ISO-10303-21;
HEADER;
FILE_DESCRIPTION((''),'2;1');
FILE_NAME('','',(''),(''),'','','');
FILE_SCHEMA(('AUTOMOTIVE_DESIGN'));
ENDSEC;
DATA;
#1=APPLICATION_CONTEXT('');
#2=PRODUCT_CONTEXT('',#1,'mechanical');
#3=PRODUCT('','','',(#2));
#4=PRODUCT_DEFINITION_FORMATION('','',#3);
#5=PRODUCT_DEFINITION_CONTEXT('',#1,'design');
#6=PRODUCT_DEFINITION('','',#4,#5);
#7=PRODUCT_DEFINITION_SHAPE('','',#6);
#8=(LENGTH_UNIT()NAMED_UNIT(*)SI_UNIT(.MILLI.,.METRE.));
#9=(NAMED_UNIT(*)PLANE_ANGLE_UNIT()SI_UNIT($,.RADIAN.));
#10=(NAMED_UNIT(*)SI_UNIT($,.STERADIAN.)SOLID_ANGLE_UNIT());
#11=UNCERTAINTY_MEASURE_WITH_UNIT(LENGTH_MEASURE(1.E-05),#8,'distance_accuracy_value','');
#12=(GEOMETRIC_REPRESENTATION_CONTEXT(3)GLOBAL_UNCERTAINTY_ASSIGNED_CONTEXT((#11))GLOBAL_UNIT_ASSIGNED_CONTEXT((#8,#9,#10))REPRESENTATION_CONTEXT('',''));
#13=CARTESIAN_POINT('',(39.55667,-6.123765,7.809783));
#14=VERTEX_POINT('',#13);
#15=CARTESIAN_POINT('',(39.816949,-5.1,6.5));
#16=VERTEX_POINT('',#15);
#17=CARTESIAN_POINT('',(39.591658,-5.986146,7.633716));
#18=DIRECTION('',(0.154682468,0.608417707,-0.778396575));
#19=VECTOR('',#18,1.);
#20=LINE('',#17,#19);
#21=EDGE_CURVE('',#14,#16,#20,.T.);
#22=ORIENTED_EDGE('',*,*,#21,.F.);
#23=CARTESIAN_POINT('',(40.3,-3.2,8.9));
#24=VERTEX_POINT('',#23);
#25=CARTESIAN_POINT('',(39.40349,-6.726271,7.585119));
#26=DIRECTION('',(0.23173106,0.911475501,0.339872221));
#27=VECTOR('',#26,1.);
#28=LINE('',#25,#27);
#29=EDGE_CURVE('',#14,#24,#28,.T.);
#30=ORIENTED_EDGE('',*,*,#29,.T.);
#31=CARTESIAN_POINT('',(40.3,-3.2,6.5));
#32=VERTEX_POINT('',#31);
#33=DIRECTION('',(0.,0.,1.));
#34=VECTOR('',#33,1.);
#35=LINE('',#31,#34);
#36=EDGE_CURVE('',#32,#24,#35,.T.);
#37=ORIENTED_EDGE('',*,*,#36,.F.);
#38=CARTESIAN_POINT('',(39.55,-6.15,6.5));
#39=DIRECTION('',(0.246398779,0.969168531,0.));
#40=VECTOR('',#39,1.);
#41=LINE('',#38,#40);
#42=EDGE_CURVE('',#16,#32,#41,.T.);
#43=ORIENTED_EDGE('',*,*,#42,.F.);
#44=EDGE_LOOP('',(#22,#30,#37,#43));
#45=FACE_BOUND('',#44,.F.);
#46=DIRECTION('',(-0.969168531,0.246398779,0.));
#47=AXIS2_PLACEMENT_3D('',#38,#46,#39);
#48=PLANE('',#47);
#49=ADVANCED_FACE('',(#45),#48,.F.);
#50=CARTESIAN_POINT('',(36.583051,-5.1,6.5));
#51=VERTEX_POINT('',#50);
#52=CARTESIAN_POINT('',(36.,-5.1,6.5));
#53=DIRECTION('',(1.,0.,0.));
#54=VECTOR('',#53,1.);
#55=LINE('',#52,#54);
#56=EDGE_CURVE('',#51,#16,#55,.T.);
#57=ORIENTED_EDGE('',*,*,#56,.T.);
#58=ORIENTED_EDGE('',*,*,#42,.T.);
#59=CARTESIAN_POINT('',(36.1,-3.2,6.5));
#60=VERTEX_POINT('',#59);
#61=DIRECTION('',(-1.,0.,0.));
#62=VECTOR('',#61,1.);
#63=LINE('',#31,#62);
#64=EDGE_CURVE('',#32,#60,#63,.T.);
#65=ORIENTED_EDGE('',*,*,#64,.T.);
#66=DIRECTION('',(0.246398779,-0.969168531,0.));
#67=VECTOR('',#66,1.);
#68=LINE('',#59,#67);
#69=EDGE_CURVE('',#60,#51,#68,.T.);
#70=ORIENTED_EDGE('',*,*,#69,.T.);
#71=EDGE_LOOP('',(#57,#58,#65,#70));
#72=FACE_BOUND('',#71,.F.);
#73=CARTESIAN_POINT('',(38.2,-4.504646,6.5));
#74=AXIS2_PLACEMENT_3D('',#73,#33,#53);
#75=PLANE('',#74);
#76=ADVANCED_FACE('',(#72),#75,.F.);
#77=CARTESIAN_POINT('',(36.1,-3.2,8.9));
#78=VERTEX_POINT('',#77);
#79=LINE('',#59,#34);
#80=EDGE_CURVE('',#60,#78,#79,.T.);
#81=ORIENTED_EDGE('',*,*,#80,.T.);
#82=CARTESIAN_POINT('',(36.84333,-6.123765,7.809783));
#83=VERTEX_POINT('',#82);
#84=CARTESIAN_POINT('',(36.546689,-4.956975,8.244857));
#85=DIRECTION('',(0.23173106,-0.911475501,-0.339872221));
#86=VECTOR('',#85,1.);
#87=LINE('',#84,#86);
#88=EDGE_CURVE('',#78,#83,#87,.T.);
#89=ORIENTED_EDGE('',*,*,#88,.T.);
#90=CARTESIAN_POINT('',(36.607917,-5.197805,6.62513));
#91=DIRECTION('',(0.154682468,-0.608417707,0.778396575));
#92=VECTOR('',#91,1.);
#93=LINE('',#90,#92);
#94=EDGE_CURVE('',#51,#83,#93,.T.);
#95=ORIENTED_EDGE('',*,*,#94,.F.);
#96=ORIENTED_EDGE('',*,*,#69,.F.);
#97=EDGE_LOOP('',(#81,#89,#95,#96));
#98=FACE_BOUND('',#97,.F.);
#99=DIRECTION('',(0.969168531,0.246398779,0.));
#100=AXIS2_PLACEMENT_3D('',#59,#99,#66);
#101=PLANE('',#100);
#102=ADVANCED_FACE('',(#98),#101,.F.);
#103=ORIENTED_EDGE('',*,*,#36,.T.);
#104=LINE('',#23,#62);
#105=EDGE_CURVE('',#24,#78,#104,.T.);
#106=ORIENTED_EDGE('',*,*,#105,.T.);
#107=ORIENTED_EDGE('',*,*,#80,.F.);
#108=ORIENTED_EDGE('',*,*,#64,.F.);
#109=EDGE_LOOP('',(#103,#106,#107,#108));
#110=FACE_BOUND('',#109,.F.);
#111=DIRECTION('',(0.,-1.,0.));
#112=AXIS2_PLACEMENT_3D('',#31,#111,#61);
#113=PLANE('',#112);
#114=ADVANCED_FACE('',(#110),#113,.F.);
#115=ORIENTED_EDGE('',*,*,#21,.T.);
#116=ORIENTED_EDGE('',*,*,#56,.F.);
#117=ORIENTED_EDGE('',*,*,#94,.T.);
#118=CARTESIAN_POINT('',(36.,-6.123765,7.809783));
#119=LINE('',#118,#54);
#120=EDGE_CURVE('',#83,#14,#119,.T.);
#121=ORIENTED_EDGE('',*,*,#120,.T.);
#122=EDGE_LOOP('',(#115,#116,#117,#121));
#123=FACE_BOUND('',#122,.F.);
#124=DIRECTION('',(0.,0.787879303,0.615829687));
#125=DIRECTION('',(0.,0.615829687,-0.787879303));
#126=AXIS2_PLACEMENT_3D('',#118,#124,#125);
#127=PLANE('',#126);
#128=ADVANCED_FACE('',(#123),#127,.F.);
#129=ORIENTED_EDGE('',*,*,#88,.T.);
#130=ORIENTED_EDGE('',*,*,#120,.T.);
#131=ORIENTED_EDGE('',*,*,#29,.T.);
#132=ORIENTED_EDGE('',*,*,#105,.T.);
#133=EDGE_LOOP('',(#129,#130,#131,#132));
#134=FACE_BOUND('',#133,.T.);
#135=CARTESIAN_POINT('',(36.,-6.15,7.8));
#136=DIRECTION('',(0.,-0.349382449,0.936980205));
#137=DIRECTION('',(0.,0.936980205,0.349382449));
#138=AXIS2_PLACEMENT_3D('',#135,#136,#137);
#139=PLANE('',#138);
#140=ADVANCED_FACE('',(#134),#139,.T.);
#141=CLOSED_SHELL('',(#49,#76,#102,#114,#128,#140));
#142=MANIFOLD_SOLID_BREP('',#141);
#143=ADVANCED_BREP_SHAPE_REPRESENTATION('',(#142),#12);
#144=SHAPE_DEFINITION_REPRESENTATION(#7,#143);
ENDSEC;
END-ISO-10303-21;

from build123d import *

# Parameters (mm, degrees)
PAD187_DEPTH    = 2.4
POCKET153_DEPTH = 5
POCKET154_DEPTH = 5


with BuildPart() as part:
    # Sketch321 (on Face1 of Binder) → Pad187 (new body)
    with BuildSketch(Plane.XY.offset(6.5)):
        Polygon((36.1, -3.2), (36.85, -6.15), (39.55, -6.15), (40.3, -3.2), align=None)
    extrude(amount=PAD187_DEPTH)

    # Sketch322 (on Face1 of Binder002) → Pocket153 (cut)
    with BuildSketch(Plane(origin=(36, 0, 0), x_dir=(0, -1, 0), z_dir=(-1, 0, 0))):
        Polygon((6.15, 7.8), (3.2, 8.9), (6.15, 8.9), align=None)
    extrude(amount=-POCKET153_DEPTH, mode=Mode.SUBTRACT)

    # Sketch323 (on Face1 of Binder002) → Pocket154 (cut)
    with BuildSketch(Plane(origin=(36, 0, 0), x_dir=(0, -1, 0), z_dir=(-1, 0, 0))):
        Polygon((6.123765, 7.809783), (5.1, 6.5), (6.15, 6.5), (6.15, 7.8), align=None)
    extrude(amount=-POCKET154_DEPTH, mode=Mode.SUBTRACT)


solid = part.part
